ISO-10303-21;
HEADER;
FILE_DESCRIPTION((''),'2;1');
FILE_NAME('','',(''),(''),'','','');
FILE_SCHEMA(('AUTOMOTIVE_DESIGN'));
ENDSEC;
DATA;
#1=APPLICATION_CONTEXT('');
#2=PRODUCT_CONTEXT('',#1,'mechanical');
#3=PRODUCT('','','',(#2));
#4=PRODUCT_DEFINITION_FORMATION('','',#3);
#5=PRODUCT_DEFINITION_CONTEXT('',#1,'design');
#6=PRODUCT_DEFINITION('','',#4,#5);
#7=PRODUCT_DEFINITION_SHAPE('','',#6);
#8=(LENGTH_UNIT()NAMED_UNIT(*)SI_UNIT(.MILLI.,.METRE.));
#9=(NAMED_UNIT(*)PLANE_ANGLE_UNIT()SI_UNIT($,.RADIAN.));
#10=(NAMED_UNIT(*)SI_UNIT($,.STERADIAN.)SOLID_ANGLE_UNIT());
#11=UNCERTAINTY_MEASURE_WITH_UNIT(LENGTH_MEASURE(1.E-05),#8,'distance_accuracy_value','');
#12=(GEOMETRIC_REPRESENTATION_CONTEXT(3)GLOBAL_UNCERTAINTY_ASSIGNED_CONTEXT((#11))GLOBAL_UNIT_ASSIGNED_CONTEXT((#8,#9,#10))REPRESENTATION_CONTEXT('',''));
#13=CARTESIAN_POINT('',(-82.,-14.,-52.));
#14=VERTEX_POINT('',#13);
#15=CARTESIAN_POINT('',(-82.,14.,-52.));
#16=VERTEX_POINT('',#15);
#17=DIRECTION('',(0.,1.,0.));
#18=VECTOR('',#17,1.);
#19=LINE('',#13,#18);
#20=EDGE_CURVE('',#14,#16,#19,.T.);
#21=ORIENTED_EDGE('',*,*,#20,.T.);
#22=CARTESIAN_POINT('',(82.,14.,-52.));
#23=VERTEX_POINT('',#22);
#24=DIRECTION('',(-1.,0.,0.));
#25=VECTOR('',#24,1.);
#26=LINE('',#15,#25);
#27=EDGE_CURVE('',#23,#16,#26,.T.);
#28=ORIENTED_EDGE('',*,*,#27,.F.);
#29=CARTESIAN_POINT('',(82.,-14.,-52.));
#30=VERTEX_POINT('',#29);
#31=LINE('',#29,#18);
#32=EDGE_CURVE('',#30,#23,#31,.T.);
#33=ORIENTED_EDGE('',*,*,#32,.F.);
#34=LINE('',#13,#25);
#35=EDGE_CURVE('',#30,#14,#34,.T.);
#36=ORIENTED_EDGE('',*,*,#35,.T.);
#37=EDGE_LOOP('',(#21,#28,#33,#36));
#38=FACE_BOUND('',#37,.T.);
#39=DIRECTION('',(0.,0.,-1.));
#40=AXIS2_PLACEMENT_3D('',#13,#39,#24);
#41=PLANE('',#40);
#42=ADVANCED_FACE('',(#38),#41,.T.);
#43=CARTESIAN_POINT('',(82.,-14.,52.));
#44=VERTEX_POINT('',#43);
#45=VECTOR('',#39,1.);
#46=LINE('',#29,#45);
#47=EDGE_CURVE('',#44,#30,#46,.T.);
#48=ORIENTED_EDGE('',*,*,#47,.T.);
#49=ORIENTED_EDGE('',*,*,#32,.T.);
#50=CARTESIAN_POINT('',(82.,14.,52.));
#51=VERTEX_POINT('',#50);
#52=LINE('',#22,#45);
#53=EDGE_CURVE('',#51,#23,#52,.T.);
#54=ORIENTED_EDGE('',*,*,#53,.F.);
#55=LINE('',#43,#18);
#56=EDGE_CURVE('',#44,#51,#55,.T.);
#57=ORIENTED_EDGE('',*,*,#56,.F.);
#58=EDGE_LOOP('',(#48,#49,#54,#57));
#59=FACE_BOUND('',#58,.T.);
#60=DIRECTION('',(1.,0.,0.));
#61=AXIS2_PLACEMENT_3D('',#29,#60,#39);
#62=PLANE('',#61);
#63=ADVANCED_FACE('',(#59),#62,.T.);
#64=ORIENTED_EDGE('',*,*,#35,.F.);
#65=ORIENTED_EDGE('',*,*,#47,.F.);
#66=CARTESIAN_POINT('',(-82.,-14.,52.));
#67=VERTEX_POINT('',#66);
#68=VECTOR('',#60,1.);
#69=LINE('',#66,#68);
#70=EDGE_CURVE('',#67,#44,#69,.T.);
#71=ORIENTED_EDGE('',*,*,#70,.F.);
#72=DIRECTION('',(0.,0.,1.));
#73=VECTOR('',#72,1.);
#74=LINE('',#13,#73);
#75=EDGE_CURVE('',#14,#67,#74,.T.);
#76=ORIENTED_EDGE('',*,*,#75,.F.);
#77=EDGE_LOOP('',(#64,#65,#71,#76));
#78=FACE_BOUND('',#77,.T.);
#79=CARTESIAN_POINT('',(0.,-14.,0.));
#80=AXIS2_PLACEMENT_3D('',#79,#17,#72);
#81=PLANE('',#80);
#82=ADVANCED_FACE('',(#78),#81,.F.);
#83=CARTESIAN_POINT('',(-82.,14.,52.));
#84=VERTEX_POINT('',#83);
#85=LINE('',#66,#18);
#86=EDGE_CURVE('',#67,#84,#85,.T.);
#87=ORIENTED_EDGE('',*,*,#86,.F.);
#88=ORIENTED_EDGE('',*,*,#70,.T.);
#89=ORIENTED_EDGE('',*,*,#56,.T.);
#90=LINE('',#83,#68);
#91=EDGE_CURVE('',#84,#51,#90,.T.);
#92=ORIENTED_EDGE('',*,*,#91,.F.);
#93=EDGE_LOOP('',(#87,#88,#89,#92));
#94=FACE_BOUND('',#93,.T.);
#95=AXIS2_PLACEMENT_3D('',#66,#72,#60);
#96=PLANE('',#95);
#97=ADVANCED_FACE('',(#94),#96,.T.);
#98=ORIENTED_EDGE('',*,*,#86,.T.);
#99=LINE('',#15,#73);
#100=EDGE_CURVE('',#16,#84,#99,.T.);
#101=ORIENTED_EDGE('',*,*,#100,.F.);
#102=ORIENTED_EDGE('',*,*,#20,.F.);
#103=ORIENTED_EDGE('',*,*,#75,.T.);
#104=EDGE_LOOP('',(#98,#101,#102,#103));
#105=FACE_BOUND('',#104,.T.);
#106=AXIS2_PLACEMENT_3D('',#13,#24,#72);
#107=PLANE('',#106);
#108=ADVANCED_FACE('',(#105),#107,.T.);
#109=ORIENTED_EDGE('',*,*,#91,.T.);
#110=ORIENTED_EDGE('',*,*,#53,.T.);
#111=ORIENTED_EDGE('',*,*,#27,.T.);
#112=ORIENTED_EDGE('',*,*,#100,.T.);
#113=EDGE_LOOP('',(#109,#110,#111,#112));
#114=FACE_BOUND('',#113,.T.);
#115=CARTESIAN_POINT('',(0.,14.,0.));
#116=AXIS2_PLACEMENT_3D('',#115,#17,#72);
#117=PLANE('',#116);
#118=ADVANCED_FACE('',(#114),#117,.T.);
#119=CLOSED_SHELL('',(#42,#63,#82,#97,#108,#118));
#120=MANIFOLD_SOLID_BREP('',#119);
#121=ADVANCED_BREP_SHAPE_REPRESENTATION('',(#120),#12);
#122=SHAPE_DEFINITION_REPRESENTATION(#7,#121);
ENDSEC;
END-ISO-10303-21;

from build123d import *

# Parameters (mm, degrees)
BOSS_EXTRU_1_DEPTH      = 14
BOSS_EXTRU_1_DEPTH_BACK = 14
ESQUISSE1_W             = 164
ESQUISSE1_H             = 104


with BuildPart() as part:
    # Esquisse1 → Boss.-Extru.1 (new, two sides: drawn at the far end of the back side and taken through both)
    with BuildSketch(Plane(origin=(0, 0, 0), x_dir=(1, 0, 0), z_dir=(0, 1, 0)).offset(-BOSS_EXTRU_1_DEPTH_BACK)):
        Rectangle(ESQUISSE1_W, ESQUISSE1_H)
    extrude(amount=BOSS_EXTRU_1_DEPTH + BOSS_EXTRU_1_DEPTH_BACK)


solid = part.part
